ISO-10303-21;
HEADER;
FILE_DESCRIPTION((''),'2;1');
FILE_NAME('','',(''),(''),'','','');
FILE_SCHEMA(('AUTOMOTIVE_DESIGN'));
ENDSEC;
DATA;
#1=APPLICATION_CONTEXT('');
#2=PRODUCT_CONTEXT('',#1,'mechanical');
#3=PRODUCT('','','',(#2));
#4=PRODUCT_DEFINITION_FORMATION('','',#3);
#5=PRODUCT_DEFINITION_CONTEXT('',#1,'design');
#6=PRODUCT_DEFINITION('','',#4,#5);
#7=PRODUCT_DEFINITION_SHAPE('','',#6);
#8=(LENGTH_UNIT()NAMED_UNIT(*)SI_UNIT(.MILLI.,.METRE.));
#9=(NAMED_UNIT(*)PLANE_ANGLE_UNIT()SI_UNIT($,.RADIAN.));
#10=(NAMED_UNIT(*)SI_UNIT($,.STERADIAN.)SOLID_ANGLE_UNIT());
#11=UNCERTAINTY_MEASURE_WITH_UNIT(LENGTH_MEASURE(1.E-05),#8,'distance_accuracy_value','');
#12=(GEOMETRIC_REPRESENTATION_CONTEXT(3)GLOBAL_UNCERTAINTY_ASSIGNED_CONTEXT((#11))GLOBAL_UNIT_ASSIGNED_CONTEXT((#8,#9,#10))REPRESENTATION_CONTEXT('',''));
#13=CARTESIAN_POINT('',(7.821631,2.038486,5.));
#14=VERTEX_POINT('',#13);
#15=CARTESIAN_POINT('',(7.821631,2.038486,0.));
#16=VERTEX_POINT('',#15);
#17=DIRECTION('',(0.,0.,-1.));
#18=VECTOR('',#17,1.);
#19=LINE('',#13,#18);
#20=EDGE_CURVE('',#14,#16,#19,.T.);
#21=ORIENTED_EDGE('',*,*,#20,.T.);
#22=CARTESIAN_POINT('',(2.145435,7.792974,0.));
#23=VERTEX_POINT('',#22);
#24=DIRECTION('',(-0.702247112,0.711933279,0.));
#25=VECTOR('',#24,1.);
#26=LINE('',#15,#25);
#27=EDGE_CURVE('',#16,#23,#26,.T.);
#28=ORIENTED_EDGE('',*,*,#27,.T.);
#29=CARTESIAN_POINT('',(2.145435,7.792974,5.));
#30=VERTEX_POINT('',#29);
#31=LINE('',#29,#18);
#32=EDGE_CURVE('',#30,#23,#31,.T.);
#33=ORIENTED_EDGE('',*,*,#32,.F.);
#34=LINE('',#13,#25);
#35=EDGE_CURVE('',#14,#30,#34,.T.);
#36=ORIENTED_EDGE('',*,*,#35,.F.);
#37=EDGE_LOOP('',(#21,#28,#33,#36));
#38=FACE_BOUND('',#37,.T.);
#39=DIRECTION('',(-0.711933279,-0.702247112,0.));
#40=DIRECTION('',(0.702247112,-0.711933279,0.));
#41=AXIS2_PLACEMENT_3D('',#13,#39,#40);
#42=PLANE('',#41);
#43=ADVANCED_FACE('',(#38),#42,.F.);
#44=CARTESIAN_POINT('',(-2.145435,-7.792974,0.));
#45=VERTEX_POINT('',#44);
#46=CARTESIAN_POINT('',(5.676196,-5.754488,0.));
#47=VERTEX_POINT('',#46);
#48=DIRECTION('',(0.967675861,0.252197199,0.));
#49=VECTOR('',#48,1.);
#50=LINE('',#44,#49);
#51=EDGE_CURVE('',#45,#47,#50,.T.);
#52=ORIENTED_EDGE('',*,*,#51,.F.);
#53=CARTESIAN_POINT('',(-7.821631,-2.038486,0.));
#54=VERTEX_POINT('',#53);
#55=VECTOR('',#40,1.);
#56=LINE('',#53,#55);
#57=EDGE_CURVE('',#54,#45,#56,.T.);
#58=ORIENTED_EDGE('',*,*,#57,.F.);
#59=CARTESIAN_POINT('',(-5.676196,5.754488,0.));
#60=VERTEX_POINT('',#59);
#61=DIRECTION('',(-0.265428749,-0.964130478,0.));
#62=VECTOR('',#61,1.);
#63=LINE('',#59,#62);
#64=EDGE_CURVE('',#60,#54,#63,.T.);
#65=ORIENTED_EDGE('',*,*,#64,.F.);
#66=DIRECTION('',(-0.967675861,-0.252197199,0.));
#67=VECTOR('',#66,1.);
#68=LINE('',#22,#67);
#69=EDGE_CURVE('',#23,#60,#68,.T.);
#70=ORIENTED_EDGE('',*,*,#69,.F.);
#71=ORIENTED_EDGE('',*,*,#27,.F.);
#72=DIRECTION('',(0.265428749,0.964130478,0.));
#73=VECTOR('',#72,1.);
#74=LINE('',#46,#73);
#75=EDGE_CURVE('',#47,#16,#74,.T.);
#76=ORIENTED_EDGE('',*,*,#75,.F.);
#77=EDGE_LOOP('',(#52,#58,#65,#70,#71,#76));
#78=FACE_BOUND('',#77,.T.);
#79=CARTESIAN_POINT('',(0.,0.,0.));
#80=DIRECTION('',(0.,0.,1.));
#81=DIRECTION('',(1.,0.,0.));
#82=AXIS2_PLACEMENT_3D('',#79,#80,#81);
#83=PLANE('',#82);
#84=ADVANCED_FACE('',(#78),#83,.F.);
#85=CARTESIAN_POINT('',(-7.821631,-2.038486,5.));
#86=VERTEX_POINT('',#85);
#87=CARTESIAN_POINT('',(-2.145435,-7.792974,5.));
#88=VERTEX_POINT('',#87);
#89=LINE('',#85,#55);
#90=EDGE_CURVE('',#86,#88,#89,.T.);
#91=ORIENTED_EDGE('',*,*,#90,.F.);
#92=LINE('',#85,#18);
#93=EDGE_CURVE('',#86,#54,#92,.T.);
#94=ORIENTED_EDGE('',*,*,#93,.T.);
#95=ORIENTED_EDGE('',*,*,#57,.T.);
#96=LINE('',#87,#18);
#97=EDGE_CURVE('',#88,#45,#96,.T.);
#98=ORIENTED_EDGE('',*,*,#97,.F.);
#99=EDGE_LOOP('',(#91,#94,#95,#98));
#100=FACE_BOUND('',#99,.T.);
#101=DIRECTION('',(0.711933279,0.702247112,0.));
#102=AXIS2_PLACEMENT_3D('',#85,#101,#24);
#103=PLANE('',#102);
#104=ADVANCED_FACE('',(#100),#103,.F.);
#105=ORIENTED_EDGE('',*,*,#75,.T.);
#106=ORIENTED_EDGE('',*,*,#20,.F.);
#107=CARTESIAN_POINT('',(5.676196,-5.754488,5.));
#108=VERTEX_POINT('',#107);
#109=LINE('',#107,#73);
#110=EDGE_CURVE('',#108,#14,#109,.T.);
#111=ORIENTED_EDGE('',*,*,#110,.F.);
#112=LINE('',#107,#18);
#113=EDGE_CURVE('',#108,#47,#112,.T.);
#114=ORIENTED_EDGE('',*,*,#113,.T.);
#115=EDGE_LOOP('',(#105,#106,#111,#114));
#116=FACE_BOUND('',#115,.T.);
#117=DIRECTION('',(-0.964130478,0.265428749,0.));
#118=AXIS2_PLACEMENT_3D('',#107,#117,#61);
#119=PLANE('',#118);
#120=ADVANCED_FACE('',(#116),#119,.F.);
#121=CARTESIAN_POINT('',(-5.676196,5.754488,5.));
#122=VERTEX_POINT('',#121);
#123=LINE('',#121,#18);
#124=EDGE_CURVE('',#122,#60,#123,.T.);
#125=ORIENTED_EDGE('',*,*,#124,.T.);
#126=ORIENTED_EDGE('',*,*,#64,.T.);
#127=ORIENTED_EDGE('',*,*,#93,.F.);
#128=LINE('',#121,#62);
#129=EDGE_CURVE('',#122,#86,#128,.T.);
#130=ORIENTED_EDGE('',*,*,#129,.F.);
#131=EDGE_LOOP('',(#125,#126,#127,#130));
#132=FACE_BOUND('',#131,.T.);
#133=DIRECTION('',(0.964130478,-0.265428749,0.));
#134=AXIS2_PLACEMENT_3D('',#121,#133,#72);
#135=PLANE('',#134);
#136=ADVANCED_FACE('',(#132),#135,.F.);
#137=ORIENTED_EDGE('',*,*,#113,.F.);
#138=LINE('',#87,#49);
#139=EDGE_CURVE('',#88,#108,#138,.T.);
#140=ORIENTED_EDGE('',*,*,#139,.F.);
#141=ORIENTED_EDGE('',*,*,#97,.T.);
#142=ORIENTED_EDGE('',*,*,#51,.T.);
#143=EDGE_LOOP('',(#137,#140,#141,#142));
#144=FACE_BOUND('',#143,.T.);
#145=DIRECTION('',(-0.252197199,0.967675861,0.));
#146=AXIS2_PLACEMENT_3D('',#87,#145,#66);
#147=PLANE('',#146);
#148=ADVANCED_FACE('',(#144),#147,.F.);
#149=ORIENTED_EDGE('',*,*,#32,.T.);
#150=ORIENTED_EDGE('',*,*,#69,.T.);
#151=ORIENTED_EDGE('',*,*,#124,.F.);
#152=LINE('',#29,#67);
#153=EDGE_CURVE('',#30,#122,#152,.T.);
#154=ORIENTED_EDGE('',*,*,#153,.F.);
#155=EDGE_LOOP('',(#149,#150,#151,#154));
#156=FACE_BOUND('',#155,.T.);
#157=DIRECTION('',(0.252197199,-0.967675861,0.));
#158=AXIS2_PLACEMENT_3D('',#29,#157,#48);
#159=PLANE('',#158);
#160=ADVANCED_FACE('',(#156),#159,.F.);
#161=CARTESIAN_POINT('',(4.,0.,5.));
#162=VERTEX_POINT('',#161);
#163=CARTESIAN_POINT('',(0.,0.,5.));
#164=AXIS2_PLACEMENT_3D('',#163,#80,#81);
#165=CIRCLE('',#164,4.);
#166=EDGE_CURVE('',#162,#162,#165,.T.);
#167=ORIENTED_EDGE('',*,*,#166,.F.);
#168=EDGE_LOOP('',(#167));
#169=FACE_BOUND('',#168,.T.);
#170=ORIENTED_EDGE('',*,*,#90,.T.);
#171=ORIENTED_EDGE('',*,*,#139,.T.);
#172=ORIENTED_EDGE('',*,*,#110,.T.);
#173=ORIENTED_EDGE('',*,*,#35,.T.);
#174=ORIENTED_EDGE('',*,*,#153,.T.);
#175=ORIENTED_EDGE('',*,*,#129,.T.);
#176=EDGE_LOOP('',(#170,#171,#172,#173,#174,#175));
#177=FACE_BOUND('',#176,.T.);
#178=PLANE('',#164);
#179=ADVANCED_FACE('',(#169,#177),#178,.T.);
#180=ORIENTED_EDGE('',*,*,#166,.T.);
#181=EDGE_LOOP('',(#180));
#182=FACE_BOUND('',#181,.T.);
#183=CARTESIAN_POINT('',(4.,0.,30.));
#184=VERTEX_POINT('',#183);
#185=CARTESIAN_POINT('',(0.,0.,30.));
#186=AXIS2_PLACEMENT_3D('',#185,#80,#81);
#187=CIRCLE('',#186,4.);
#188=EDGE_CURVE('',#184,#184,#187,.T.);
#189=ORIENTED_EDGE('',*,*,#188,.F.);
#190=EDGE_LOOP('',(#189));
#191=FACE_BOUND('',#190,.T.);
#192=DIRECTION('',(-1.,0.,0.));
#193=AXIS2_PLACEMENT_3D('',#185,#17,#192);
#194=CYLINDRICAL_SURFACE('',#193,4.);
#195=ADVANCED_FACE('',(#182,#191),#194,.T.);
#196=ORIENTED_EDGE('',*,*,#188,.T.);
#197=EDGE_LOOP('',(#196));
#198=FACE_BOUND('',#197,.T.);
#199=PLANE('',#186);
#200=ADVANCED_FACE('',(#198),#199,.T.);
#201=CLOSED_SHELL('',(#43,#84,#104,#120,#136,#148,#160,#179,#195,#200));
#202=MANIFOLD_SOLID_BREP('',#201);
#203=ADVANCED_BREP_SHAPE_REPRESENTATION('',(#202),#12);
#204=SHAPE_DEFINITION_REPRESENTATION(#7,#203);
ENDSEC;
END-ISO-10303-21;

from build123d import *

# Parameters (mm, degrees)
BOSS_EXTRUDE1_DEPTH = 5
SKETCH2_R           = 4
BOSS_EXTRUDE2_DEPTH = 25


with BuildPart() as part:
    # Sketch1 → Boss-Extrude1 (new body)
    with BuildSketch(Plane.XY):
        Polygon((5.676195828, -5.754488184), (7.821630867, 2.038485692), (2.145435039, 7.792973876), (-5.676195828, 5.754488184), (-7.821630867, -2.038485692), (-2.145435039, -7.792973876), align=None)
    extrude(amount=BOSS_EXTRUDE1_DEPTH)

    # Sketch2 → Boss-Extrude2 (add)
    with BuildSketch(Plane.XY.offset(5)):
        Circle(SKETCH2_R)
    extrude(amount=BOSS_EXTRUDE2_DEPTH)


solid = part.part
